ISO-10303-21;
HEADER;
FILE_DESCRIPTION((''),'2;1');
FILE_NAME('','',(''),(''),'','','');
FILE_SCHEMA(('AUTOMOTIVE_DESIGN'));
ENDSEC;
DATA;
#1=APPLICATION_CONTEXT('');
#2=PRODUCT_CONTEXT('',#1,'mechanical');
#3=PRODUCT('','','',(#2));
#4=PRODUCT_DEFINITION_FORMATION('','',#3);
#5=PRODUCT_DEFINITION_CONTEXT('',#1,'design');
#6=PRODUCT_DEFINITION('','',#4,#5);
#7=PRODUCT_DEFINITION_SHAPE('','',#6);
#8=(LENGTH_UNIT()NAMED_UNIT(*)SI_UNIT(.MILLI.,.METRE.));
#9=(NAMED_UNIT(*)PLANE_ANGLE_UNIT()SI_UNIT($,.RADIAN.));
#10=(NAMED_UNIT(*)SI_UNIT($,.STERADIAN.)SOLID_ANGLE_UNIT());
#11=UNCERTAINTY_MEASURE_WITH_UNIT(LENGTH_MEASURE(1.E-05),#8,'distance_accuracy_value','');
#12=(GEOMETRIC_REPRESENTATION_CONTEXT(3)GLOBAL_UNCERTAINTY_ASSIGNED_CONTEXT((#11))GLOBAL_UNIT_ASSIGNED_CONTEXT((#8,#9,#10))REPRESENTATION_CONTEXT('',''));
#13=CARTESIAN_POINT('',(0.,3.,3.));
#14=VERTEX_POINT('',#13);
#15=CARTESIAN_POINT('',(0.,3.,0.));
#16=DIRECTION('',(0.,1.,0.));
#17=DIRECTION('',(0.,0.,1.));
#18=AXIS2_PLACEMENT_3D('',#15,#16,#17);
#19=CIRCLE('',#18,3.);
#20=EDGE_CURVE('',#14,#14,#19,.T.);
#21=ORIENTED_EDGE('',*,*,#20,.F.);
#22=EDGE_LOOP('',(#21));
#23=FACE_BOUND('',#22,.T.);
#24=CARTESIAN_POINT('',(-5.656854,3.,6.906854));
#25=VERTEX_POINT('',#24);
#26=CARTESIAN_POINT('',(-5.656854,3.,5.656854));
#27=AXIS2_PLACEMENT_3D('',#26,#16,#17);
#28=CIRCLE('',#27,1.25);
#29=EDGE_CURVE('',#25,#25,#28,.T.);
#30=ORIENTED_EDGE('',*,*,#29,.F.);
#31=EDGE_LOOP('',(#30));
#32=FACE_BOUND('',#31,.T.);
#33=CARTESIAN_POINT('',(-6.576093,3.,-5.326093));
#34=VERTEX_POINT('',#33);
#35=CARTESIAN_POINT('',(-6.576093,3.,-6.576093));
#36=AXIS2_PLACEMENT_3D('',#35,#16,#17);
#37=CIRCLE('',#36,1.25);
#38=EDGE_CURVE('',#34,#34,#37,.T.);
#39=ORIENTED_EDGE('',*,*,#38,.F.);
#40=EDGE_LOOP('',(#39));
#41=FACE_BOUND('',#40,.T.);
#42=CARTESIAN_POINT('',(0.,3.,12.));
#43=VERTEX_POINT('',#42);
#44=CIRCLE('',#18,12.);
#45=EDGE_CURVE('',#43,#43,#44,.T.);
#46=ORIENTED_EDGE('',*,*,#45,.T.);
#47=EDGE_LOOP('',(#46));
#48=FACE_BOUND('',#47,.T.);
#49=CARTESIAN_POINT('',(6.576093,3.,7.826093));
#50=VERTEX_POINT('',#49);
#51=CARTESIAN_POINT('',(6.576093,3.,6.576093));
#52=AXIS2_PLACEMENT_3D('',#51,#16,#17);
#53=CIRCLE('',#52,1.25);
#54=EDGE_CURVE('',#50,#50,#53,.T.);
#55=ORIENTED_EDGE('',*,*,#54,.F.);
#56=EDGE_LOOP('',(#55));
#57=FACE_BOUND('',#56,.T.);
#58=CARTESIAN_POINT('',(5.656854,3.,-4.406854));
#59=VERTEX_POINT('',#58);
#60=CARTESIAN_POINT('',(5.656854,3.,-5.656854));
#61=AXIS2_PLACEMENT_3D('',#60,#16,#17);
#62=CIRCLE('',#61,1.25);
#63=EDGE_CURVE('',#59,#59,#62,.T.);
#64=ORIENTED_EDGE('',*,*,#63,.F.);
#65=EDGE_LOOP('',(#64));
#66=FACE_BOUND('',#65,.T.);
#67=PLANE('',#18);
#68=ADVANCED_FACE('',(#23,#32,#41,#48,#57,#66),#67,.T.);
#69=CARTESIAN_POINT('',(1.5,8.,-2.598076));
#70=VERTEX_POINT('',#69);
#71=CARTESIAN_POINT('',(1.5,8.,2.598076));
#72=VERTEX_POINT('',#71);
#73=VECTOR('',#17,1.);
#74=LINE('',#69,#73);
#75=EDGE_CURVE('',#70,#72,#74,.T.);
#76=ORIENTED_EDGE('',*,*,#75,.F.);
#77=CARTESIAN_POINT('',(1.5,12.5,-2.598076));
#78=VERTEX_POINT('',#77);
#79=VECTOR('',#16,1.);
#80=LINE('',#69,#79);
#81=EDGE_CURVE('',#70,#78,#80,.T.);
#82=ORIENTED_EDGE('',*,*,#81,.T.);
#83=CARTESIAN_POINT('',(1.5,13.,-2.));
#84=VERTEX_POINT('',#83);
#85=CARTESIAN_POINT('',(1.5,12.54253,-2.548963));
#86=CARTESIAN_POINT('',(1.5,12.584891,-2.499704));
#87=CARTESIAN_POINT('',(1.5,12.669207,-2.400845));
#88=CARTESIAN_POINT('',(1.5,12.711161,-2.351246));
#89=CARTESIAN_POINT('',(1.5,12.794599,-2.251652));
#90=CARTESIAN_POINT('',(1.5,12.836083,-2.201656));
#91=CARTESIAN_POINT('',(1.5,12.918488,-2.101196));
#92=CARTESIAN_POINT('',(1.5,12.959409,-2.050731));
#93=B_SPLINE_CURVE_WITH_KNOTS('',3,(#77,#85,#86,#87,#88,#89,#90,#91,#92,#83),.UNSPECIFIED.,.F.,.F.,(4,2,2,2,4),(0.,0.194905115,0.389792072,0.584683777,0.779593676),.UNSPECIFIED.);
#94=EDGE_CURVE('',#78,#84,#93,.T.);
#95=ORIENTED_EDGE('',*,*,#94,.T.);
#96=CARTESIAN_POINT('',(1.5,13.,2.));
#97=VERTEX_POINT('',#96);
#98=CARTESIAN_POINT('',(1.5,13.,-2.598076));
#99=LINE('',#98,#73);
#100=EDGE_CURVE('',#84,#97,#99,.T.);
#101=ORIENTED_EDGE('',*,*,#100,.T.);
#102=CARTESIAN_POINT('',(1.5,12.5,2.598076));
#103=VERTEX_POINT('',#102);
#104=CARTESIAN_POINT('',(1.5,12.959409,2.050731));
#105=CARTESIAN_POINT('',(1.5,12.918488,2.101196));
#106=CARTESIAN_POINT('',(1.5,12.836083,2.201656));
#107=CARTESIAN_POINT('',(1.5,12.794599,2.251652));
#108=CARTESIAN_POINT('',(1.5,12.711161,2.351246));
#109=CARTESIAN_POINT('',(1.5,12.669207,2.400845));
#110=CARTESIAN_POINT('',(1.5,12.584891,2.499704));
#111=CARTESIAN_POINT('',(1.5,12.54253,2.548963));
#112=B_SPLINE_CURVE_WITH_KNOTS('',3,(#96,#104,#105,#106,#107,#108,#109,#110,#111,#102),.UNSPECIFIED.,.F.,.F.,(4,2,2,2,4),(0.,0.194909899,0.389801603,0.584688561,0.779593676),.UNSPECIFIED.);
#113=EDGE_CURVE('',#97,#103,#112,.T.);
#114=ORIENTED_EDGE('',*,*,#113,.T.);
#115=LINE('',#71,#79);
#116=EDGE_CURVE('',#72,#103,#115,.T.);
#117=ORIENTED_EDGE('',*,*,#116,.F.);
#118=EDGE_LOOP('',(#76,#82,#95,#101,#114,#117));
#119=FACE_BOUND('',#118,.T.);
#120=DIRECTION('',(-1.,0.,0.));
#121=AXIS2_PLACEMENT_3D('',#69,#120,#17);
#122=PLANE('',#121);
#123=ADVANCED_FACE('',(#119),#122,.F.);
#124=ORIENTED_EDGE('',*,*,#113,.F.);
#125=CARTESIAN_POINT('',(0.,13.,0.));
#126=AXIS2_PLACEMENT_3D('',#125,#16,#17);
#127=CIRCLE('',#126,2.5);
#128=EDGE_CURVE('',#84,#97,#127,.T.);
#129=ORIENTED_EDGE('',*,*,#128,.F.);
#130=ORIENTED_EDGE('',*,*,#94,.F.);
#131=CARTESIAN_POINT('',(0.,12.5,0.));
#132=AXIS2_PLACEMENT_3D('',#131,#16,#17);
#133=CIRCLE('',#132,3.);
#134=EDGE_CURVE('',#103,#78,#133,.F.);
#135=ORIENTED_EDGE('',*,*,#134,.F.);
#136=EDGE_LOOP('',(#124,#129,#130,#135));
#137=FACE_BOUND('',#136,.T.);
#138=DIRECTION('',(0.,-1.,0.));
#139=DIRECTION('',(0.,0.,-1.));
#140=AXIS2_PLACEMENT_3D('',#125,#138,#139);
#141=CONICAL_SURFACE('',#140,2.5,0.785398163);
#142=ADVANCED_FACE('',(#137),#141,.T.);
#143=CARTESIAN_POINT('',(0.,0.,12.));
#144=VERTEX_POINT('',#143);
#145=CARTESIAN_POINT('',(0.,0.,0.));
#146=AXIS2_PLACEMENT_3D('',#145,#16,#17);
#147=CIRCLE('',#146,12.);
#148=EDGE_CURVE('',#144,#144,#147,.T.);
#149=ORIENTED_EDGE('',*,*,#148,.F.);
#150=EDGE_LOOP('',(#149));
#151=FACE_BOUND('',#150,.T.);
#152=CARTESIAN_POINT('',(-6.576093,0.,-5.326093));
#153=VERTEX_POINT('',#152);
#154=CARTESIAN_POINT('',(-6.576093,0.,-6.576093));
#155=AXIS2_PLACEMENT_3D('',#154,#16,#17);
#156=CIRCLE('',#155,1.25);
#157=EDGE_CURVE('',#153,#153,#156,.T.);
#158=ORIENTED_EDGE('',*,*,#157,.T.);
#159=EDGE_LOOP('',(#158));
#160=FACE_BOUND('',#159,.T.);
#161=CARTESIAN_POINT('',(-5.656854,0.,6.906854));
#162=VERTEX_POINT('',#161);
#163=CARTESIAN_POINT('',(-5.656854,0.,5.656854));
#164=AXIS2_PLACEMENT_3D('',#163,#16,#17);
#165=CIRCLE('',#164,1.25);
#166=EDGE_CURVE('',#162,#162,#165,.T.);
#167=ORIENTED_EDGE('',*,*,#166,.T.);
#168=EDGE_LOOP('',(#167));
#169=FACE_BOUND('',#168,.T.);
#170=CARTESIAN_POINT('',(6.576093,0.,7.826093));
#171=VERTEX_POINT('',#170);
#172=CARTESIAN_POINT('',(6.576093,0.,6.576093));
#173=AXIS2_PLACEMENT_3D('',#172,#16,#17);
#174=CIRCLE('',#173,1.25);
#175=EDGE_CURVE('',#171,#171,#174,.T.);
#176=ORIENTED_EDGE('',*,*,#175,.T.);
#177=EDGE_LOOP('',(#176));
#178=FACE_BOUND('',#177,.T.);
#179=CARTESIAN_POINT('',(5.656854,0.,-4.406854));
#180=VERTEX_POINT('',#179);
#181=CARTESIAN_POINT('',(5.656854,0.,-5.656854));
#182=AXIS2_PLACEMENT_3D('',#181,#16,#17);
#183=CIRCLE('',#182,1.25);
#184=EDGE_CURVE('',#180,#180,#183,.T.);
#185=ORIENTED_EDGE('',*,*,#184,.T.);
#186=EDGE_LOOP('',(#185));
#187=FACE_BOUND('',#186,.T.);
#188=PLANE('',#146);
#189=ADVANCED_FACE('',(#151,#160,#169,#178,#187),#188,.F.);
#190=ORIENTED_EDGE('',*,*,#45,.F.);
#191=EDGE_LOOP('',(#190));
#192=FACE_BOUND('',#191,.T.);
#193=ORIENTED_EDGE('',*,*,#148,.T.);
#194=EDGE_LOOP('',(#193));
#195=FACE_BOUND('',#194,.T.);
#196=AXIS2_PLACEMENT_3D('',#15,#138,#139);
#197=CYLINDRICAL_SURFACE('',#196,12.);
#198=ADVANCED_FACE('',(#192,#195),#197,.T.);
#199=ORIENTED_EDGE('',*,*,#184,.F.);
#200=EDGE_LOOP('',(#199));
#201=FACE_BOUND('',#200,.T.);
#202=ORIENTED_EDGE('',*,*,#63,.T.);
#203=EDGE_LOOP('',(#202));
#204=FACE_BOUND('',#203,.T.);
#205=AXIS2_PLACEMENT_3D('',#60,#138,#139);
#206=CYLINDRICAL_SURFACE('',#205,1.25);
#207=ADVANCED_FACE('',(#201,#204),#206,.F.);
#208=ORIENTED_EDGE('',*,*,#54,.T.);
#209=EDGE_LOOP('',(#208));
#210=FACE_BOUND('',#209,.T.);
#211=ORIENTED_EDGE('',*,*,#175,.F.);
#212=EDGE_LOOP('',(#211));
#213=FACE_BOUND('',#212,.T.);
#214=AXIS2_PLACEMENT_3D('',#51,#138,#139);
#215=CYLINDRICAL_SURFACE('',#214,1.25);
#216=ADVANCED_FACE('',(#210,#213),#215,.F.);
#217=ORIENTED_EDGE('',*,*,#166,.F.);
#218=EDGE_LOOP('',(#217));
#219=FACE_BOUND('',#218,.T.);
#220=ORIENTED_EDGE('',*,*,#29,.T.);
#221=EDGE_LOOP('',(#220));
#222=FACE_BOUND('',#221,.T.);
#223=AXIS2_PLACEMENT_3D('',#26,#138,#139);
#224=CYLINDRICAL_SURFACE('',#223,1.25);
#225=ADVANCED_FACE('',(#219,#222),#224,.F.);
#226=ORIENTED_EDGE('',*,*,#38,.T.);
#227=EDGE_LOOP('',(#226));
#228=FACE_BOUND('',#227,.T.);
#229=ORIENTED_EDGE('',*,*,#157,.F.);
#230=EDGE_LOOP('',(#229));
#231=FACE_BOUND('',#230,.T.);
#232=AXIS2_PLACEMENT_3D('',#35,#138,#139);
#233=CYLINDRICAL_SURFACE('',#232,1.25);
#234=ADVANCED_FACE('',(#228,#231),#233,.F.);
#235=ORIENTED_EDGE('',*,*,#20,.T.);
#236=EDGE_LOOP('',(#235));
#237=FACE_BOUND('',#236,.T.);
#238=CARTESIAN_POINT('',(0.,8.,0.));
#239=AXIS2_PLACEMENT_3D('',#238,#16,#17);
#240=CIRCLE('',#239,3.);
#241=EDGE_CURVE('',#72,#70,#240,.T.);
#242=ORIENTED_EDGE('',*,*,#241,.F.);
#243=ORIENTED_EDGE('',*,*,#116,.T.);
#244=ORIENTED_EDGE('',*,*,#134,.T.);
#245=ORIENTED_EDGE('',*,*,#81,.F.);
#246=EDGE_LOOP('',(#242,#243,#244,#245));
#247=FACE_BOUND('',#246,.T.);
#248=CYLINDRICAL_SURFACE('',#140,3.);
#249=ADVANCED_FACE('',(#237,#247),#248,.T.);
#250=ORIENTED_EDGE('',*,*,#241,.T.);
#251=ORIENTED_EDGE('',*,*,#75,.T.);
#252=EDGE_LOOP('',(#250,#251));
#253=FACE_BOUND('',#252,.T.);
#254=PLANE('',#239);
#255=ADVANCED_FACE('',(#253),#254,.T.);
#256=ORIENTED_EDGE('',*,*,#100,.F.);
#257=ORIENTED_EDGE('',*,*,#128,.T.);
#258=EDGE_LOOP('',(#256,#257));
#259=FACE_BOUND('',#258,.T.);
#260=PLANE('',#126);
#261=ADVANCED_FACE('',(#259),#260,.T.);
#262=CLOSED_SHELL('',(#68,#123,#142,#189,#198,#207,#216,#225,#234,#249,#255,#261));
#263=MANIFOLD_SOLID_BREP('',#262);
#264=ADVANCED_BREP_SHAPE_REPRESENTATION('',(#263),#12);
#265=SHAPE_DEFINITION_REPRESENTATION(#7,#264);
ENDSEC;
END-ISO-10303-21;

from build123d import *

# Parameters (mm, degrees)
CROQUIS1_R              = 12
CROQUIS1_R_2            = 1.25
SALIENTE_EXTRUIR1_DEPTH = 3
SALIENTE_EXTRUIR2_START = 3
CROQUIS1_3_R            = 3
SALIENTE_EXTRUIR2_DEPTH = 10
CORTAR_EXTRUIR1_START   = -5
CORTAR_EXTRUIR1_DEPTH   = 5
CHAFL_N1_SIZE           = 0.5


with BuildPart() as part:
    # Croquis1 → Saliente-Extruir1 (new body)
    with BuildSketch(Plane(origin=(0, 0, 0), x_dir=(1, 0, 0), z_dir=(0, 1, 0))):
        with Locations(Location((0, 0, 0), (0, 0, 270))):
            Circle(CROQUIS1_R)
        with Locations(Location((-6.576093065, 6.576093065, 0), (0, 0, 270))):
            Circle(CROQUIS1_R_2, mode=Mode.SUBTRACT)
        with Locations(Location((5.656854249, 5.656854249, 0), (0, 0, 270))):
            Circle(CROQUIS1_R_2, mode=Mode.SUBTRACT)
        with Locations(Location((6.576093065, -6.576093065, 0), (0, 0, 270))):
            Circle(CROQUIS1_R_2, mode=Mode.SUBTRACT)
        with Locations(Location((-5.656854249, -5.656854249, 0), (0, 0, 270))):
            Circle(CROQUIS1_R_2, mode=Mode.SUBTRACT)
    extrude(amount=SALIENTE_EXTRUIR1_DEPTH)

    # Croquis1<3> → Saliente-Extruir2 (add)
    with BuildSketch(Plane(origin=(0, 0, 0), x_dir=(1, 0, 0), z_dir=(0, 1, 0)).offset(SALIENTE_EXTRUIR2_START)):
        with Locations(Location((0, 0, 0), (0, 0, 270))):
            Circle(CROQUIS1_3_R)
    extrude(amount=SALIENTE_EXTRUIR2_DEPTH)

    # Croquis2 → Cortar-Extruir1 (cut)
    with BuildSketch(Plane(origin=(0, 13, 0), x_dir=(1, 0, 0), z_dir=(0, 1, 0)).offset(CORTAR_EXTRUIR1_START)):
        with BuildLine():
            Line((1.5, 2.598076211), (1.5, -2.598076211))
            ThreePointArc((1.5, -2.598076211), (3, 0), (1.5, 2.598076211))
        make_face()
    extrude(amount=CORTAR_EXTRUIR1_DEPTH, mode=Mode.SUBTRACT)

    # Chaflán1
    chafl_n1_edges = [part.edges().sort_by_distance(p)[0] for p in [
        (-2.897777479, 13, -0.776457135),
    ]]
    chamfer(chafl_n1_edges, length=CHAFL_N1_SIZE)


solid = part.part
